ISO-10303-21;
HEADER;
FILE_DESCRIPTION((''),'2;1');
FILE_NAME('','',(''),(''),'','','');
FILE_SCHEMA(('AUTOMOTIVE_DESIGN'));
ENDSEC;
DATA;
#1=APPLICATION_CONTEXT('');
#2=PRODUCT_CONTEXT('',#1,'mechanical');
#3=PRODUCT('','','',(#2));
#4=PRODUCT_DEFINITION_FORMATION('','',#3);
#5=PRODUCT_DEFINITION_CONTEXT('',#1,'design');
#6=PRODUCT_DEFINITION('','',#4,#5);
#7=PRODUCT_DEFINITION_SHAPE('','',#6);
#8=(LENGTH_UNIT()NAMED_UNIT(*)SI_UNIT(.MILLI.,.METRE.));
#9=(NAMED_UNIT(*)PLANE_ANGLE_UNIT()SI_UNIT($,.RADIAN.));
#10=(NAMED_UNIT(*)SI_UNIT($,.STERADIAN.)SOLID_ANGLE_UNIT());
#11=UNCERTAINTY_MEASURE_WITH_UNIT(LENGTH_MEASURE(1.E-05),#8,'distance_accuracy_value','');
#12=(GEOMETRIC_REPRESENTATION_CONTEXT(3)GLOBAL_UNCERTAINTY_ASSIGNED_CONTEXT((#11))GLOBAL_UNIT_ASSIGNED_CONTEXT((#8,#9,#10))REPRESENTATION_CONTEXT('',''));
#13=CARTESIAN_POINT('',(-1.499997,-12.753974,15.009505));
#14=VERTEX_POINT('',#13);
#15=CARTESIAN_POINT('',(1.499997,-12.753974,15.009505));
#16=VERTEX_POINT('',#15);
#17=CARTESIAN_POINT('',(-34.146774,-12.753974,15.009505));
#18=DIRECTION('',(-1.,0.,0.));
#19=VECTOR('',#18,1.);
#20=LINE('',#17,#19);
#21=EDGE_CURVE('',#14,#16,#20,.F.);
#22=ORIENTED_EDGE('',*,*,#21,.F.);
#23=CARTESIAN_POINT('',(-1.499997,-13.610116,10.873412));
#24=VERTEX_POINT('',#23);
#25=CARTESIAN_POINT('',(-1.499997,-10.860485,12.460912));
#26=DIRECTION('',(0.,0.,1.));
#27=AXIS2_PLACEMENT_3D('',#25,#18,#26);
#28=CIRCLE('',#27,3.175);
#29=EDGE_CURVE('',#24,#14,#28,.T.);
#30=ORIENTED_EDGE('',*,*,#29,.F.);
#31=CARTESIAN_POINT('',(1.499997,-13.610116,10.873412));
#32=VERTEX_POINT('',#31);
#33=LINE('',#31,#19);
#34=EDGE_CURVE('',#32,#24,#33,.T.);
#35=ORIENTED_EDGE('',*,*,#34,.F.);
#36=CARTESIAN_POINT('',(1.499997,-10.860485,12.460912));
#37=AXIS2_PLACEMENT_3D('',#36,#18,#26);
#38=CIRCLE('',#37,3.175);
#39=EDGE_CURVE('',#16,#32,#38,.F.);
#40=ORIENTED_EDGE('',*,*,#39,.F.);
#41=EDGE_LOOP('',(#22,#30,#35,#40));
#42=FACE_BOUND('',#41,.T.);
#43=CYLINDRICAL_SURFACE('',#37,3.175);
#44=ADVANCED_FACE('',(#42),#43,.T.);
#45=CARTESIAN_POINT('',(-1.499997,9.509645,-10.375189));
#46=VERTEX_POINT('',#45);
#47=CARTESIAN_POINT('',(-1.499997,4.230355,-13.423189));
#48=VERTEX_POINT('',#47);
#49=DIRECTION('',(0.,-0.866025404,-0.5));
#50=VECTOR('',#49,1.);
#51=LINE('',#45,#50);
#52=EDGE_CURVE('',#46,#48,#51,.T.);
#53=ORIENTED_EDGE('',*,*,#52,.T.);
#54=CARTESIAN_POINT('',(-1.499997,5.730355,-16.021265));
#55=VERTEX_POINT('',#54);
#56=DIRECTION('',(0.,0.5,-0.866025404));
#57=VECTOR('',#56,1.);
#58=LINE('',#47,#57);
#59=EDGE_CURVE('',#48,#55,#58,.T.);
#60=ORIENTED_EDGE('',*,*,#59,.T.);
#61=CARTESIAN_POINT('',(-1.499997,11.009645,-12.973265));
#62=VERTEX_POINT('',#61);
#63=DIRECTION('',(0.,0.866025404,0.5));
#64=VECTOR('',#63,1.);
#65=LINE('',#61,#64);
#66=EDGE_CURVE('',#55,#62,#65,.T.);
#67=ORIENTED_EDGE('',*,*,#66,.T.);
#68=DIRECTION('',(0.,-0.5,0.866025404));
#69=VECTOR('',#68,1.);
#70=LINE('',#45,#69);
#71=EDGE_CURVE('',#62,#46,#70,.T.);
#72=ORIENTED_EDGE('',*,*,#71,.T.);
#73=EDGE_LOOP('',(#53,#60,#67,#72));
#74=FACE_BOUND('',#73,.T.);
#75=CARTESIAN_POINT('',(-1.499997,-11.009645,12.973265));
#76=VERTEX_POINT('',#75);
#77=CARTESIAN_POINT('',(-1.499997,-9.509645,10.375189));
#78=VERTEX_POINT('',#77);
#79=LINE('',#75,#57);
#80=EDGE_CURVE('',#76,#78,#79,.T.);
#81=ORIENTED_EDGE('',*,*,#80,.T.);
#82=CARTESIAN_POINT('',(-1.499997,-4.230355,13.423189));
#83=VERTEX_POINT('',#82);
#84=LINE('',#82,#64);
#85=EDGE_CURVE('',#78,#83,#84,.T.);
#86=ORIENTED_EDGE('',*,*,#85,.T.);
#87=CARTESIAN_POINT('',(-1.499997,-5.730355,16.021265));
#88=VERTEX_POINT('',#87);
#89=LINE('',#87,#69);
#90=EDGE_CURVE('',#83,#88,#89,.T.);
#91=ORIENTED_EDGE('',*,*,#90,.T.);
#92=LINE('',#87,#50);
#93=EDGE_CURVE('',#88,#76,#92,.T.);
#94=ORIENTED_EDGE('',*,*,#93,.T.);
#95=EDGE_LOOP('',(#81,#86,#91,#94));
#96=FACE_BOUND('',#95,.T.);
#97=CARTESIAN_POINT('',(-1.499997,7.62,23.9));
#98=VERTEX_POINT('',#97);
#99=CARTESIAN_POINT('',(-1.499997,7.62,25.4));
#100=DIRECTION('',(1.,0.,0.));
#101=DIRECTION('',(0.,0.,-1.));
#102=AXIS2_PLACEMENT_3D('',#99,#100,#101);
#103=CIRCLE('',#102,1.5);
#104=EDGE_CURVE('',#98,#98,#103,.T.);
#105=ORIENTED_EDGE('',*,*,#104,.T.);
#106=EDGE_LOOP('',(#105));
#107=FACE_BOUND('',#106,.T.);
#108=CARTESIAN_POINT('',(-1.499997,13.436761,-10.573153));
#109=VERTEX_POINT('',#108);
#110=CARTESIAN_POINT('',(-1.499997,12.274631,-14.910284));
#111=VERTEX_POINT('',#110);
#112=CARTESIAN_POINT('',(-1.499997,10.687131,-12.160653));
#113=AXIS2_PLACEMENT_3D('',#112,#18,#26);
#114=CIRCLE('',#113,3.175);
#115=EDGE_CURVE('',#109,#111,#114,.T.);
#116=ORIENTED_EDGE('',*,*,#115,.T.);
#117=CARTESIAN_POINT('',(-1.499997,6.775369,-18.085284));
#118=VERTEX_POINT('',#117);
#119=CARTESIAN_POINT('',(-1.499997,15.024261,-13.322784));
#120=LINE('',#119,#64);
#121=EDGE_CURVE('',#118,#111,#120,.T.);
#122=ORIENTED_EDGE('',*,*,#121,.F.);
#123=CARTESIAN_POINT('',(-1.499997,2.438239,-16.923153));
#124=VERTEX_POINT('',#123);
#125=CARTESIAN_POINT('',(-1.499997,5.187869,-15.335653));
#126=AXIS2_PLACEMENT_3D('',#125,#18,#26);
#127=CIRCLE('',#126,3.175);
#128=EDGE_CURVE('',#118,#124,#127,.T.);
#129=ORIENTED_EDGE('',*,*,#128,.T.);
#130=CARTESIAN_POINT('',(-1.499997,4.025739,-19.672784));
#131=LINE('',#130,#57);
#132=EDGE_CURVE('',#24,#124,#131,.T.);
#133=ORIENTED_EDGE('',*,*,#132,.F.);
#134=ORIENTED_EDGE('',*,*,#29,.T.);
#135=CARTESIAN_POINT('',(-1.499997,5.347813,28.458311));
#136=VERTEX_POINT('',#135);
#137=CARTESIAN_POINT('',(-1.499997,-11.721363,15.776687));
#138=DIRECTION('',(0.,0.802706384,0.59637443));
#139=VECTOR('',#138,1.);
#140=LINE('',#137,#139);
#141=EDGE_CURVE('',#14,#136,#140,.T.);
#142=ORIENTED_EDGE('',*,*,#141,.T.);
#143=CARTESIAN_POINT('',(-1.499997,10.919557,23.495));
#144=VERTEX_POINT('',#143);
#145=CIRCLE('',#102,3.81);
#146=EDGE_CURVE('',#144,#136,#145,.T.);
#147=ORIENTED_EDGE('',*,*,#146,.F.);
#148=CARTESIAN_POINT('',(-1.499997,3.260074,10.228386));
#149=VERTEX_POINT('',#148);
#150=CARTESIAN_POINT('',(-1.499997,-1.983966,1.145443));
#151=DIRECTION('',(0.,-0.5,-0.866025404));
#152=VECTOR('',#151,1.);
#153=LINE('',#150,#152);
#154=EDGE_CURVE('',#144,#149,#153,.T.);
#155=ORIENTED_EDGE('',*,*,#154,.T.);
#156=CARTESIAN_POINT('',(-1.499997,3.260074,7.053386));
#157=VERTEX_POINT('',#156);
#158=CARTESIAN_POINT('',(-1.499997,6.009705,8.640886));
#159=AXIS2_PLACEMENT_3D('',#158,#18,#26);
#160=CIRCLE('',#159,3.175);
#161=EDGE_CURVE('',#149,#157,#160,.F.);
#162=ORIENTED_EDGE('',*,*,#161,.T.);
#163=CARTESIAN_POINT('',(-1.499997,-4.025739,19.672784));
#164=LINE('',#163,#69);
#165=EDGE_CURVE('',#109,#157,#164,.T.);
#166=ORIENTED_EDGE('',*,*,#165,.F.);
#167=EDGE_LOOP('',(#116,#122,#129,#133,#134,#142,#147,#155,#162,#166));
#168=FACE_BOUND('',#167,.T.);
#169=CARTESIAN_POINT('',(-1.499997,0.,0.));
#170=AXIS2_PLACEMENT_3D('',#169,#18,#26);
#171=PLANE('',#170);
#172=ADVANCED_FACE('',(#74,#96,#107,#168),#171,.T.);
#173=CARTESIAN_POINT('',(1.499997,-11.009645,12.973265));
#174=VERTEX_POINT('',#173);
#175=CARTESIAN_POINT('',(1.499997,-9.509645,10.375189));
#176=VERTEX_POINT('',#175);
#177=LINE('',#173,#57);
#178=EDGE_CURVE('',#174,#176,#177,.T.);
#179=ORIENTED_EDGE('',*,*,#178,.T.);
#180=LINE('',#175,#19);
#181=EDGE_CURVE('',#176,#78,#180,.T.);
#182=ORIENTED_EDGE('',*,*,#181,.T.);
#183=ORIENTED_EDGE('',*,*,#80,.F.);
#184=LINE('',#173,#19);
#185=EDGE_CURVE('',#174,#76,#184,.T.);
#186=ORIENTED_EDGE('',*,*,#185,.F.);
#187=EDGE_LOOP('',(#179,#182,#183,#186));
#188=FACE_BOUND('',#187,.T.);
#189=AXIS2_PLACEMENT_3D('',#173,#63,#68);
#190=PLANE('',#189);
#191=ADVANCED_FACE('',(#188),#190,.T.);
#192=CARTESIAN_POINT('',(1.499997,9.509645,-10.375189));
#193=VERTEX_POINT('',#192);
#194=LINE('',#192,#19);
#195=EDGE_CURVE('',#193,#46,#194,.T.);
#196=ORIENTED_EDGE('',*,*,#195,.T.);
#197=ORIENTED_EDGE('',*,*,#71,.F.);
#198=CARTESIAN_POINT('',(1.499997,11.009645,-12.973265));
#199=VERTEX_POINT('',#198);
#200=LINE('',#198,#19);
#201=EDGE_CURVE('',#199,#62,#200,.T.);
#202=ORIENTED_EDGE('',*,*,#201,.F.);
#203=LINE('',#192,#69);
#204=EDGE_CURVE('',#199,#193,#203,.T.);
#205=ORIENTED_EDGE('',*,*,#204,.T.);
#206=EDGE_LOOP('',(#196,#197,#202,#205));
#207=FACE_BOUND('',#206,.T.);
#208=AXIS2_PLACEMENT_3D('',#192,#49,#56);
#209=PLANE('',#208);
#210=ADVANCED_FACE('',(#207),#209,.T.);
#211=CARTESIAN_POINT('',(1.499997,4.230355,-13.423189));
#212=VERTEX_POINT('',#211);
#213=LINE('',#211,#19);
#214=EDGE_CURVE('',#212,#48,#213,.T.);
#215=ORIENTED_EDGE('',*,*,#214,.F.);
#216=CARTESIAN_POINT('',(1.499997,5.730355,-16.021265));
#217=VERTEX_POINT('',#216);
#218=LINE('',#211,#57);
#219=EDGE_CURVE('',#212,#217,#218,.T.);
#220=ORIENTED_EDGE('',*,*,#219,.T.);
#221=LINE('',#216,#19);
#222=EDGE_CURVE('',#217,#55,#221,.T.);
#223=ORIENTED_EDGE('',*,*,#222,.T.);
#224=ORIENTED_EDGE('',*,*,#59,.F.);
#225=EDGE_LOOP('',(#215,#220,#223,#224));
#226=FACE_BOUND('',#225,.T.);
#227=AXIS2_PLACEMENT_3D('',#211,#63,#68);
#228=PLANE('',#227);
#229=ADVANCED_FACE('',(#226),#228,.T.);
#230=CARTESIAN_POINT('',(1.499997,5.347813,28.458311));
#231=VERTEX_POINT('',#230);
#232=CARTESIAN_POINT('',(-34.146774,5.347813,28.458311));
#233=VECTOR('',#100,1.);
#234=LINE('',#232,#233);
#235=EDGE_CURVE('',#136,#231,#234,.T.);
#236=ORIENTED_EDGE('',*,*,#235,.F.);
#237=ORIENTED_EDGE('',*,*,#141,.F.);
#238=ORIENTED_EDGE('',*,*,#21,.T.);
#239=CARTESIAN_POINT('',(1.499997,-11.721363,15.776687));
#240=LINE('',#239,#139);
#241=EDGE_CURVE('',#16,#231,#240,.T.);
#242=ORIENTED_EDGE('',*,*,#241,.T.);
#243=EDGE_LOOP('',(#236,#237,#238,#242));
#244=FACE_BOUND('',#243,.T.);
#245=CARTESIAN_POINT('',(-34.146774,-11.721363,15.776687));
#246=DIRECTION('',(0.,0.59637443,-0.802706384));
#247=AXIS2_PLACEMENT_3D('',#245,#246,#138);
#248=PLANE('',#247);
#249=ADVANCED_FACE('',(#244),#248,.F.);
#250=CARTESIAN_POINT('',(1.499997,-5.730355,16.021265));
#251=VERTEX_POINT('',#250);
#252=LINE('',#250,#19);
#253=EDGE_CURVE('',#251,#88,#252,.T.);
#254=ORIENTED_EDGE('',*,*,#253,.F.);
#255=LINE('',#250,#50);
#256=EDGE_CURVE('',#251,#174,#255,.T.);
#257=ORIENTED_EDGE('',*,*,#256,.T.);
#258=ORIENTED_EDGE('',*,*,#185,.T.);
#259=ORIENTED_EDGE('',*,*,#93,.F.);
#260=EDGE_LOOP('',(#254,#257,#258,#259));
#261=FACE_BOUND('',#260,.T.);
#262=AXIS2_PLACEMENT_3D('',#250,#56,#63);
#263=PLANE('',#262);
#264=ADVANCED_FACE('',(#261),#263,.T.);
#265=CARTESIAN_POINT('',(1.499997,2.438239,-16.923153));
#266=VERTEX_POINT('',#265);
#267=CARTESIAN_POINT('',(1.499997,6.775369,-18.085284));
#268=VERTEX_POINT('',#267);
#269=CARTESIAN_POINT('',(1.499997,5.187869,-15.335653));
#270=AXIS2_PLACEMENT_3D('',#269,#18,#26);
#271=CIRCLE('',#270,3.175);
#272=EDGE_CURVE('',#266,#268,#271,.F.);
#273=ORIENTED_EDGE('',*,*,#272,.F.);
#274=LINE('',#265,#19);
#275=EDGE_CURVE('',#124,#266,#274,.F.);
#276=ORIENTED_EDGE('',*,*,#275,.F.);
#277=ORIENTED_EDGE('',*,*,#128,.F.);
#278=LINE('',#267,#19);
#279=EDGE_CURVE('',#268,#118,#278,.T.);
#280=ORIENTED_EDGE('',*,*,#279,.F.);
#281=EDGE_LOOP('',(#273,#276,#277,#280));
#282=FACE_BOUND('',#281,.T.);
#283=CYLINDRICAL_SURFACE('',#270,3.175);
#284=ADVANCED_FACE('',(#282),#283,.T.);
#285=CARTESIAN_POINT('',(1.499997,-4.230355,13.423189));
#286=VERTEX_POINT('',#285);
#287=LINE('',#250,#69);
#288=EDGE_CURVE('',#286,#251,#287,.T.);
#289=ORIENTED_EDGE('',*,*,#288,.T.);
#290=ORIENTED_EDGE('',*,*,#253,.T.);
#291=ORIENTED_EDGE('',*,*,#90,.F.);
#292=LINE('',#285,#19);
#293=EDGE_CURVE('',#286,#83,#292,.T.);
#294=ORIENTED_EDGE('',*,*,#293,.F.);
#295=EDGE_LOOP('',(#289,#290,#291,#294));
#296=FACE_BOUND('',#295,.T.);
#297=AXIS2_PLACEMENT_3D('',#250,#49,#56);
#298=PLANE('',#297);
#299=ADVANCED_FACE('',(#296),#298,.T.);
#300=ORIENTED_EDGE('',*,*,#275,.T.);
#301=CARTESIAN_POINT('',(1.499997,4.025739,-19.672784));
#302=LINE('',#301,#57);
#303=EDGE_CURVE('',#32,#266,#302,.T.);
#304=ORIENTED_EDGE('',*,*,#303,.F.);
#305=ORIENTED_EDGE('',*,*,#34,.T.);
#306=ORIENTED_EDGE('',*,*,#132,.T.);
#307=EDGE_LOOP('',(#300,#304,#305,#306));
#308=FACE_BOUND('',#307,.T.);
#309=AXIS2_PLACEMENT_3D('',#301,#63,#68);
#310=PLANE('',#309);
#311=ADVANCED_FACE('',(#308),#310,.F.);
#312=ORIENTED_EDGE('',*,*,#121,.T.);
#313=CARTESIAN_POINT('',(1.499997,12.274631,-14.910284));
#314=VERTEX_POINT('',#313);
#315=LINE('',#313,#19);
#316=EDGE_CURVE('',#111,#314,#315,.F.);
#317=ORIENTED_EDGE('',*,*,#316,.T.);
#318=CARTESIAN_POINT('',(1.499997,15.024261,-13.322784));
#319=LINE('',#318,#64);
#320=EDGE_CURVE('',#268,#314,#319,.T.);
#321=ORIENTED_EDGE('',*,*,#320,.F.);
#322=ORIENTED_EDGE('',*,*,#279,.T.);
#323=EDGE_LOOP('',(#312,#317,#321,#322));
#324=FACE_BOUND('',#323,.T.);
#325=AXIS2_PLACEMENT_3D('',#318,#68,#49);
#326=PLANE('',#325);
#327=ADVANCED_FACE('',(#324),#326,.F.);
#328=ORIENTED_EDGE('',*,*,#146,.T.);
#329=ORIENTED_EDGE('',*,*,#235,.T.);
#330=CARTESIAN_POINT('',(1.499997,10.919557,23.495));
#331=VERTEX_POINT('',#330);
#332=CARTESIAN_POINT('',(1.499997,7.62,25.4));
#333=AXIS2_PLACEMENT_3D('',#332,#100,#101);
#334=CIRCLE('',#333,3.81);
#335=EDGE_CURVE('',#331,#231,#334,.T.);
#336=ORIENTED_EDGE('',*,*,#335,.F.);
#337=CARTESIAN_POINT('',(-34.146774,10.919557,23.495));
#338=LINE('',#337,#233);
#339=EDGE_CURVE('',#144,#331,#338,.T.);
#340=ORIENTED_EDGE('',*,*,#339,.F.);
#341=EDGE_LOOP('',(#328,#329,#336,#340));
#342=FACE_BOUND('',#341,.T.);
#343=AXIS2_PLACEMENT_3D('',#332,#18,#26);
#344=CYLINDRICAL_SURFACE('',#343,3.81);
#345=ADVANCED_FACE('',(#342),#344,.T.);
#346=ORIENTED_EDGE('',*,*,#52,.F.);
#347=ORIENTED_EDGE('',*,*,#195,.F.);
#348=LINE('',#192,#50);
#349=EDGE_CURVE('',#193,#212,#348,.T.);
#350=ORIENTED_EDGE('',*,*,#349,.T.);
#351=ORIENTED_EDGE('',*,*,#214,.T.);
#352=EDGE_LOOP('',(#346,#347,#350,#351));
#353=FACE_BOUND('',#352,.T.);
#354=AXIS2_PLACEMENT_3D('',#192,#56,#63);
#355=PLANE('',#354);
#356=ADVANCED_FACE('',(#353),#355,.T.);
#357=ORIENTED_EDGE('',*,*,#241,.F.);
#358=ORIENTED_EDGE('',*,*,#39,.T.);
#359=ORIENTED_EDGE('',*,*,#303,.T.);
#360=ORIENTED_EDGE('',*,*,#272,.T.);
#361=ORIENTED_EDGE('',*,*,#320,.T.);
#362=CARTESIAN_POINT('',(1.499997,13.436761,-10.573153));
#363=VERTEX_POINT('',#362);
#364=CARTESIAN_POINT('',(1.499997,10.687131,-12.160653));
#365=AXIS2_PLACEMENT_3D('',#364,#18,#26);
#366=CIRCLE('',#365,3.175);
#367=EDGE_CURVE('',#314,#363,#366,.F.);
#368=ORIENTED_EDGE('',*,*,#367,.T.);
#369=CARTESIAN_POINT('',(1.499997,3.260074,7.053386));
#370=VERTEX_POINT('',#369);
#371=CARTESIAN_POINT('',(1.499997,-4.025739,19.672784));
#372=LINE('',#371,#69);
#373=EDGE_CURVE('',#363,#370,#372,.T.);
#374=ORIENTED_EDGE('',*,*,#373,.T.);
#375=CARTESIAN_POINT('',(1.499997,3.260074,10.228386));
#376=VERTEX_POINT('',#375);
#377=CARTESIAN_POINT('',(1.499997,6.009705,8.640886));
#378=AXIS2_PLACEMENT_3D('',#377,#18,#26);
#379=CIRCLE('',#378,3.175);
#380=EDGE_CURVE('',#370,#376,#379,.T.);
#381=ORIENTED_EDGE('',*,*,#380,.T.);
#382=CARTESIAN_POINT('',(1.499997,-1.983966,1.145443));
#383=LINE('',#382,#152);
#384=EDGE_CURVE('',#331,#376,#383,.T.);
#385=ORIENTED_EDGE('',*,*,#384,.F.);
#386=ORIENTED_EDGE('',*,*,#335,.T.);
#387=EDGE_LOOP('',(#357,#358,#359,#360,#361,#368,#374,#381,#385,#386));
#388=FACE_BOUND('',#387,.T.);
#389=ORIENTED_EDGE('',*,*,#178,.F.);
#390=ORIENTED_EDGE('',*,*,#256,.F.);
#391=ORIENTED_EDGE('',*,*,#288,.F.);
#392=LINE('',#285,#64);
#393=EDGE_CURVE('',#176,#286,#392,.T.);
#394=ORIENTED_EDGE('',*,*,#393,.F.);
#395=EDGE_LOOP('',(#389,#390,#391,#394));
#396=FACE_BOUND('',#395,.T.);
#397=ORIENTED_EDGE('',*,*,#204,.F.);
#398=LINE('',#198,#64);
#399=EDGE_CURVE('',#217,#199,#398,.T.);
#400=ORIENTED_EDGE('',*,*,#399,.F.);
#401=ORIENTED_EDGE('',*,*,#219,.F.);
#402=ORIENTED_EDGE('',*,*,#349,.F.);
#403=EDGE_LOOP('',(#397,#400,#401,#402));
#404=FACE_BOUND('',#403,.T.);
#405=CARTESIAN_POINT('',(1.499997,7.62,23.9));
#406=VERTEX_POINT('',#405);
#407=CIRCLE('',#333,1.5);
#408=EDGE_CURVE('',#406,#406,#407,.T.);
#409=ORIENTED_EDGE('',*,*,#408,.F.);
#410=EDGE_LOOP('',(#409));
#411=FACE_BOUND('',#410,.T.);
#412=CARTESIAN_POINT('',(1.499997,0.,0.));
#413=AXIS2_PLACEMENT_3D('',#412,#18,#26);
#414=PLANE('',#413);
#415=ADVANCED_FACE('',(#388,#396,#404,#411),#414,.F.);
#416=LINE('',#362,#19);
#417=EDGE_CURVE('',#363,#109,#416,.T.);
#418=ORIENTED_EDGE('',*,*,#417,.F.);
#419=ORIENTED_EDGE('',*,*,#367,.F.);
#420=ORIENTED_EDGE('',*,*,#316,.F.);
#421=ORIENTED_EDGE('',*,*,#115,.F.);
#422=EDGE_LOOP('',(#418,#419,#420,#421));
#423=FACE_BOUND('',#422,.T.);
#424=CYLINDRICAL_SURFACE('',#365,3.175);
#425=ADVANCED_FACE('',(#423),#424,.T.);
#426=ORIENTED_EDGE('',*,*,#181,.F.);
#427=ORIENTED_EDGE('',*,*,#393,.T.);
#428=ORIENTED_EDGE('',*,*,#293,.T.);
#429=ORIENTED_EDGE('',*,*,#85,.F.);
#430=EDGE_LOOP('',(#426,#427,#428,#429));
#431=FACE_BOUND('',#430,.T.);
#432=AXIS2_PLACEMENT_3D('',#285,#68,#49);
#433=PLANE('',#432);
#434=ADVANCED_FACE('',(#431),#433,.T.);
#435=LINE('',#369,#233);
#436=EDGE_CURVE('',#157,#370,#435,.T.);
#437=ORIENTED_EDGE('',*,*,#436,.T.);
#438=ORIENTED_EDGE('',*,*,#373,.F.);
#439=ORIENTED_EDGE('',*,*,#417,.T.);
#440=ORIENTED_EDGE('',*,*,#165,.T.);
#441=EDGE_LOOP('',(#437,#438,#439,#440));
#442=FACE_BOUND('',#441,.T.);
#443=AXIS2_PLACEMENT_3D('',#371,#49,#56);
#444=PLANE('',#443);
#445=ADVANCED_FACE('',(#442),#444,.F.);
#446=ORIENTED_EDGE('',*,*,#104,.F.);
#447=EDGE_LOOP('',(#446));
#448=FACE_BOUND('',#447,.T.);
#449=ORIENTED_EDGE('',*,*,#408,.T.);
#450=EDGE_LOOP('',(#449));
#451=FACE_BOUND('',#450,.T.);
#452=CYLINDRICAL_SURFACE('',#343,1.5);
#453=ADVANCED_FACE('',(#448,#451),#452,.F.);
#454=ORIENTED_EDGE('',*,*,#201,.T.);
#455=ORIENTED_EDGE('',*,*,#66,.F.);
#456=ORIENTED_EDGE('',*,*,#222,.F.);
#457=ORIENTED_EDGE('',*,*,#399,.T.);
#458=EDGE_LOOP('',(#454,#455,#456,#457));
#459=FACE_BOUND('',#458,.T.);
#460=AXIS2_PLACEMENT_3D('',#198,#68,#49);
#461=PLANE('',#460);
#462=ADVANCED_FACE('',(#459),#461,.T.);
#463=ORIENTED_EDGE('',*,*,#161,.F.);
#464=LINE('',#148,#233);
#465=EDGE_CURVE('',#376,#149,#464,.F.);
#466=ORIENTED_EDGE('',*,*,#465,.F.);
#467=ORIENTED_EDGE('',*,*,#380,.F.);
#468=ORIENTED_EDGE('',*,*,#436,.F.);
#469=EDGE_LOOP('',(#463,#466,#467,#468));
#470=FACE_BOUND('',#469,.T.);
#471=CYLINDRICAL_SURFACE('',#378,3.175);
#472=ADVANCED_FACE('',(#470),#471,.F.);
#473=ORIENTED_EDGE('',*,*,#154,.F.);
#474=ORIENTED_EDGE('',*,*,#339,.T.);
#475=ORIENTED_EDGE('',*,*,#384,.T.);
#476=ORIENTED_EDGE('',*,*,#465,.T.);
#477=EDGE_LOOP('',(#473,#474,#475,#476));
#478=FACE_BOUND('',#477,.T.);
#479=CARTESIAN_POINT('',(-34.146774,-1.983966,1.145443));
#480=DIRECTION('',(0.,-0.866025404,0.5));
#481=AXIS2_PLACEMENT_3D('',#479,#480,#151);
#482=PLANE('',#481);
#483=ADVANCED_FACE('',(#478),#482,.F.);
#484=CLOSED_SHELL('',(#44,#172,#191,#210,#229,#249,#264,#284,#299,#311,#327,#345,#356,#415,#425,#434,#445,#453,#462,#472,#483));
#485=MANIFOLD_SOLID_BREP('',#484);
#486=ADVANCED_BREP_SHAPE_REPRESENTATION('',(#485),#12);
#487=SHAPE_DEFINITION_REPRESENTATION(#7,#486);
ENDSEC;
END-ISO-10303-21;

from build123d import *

# Parameters (mm, degrees)
BOSS_EXTRUDE1_DEPTH = 1.499997
SKETCH3_R           = 3.81
SKETCH3_R_2         = 1.5
BOSS_EXTRUDE2_DEPTH = 1.499997
BOSS_EXTRUDE3_DEPTH = 2.999994
FILLET1_R           = 3.175


with BuildPart() as part:
    # Sketch2 → Boss-Extrude1 (new, symmetric)
    with BuildSketch(Plane(origin=(0, 0, 0), x_dir=(0, 0, -1), z_dir=(1, 0, 0))):
        Polygon((-19.672783942, -4.025738686), (13.322783942, 15.024261314), (19.672783942, 4.025738686), (-13.322783942, -15.024261314), align=None)
        Polygon((-16.021265259, -5.730354569), (-12.973265259, -11.009645431), (-10.375189048, -9.509645431), (-13.423189048, -4.230354569), align=None, mode=Mode.SUBTRACT)
        Polygon((10.375189048, 9.509645431), (13.423189048, 4.230354569), (16.021265259, 5.730354569), (12.973265259, 11.009645431), align=None, mode=Mode.SUBTRACT)
    extrude(amount=BOSS_EXTRUDE1_DEPTH, both=True)



with BuildPart() as body_2:
    # Sketch3 → Boss-Extrude2 (new, symmetric)
    with BuildSketch(Plane(origin=(0, 0, 0), x_dir=(0, 0, -1), z_dir=(1, 0, 0))):
        with Locations((-25.4, 7.62)):
            Circle(SKETCH3_R)
        with Locations((-25.4, 7.62)):
            Circle(SKETCH3_R_2, mode=Mode.SUBTRACT)
    extrude(amount=BOSS_EXTRUDE2_DEPTH, both=True)


with BuildPart() as part_1:
    add(part.part)

    add(body_2.part)  # Boss-Extrude3 merges body 2
    # Sketch4 → Boss-Extrude3 (add)
    with BuildSketch(Plane(origin=(1.499997, 0, 0), x_dir=(0, 0, -1), z_dir=(1, 0, 0))):
        with BuildLine():
            Line((-28.458311324, 5.347813422), (-13.322783942, -15.024261314))
            Line((-13.322783942, -15.024261314), (-19.672783942, -4.025738686))
            Line((-19.672783942, -4.025738686), (-8.640886423, 2.343530316))
            Line((-8.640886423, 2.343530316), (-23.495, 10.919556788))
            ThreePointArc((-23.495, 10.919556788), (-22.100443212, 9.525), (-21.59, 7.62))
            ThreePointArc((-21.59, 7.62), (-24.203351794, 4.002800383), (-28.458311324, 5.347813422))
        make_face()
    extrude(amount=-BOSS_EXTRUDE3_DEPTH)

    # Fillet1
    fillet1_edges = [part_1.edges().sort_by_distance(p)[0] for p in [
        (0, 2.343530316, 8.640886423),
        (0, 15.024261314, -13.322783942),
        (0, 4.025738686, -19.672783942),
        (0, -15.024261314, 13.322783942),
    ]]
    fillet(fillet1_edges, radius=FILLET1_R)


solid = part_1.part
